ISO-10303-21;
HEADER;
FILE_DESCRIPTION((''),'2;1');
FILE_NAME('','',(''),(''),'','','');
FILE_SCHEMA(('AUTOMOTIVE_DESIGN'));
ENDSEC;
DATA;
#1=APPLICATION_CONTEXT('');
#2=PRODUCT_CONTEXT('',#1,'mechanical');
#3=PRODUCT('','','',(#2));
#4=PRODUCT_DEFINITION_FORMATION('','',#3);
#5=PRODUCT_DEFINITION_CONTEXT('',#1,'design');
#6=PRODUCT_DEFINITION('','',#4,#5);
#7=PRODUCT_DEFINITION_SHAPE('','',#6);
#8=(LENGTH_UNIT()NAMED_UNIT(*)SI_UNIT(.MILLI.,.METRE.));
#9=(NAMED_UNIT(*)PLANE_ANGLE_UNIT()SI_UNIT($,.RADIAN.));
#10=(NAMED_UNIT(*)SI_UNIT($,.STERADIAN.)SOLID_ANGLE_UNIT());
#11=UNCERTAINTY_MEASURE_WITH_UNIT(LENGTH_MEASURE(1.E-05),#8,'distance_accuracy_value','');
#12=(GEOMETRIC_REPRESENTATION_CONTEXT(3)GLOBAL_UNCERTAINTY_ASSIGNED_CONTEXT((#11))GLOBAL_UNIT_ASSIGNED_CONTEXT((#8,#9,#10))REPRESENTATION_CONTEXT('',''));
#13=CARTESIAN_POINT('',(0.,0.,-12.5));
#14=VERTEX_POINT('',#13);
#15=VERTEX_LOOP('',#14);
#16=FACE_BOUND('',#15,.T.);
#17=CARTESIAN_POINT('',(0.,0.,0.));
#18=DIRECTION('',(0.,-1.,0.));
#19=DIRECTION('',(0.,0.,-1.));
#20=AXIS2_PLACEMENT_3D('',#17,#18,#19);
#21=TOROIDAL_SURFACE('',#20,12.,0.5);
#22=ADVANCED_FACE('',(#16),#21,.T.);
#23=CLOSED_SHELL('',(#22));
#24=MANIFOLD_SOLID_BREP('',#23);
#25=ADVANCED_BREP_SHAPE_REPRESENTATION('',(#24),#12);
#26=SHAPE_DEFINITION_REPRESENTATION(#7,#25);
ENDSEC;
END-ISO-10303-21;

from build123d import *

# Parameters (mm, degrees)
SKETCH1_R = 0.5


with BuildPart() as part:
    # Sketch1 → Revolve1 (revolve)
    with BuildSketch(Plane.XY, mode=Mode.PRIVATE) as revolve1_sk:
        with Locations((-12, 0)):
            Circle(SKETCH1_R)
    revolve(revolve1_sk.sketch.rotate(Axis((0, 0, 0), (0, 1, 0)), 270), axis=Axis((0, 0, 0), (0, 1, 0)))


solid = part.part
